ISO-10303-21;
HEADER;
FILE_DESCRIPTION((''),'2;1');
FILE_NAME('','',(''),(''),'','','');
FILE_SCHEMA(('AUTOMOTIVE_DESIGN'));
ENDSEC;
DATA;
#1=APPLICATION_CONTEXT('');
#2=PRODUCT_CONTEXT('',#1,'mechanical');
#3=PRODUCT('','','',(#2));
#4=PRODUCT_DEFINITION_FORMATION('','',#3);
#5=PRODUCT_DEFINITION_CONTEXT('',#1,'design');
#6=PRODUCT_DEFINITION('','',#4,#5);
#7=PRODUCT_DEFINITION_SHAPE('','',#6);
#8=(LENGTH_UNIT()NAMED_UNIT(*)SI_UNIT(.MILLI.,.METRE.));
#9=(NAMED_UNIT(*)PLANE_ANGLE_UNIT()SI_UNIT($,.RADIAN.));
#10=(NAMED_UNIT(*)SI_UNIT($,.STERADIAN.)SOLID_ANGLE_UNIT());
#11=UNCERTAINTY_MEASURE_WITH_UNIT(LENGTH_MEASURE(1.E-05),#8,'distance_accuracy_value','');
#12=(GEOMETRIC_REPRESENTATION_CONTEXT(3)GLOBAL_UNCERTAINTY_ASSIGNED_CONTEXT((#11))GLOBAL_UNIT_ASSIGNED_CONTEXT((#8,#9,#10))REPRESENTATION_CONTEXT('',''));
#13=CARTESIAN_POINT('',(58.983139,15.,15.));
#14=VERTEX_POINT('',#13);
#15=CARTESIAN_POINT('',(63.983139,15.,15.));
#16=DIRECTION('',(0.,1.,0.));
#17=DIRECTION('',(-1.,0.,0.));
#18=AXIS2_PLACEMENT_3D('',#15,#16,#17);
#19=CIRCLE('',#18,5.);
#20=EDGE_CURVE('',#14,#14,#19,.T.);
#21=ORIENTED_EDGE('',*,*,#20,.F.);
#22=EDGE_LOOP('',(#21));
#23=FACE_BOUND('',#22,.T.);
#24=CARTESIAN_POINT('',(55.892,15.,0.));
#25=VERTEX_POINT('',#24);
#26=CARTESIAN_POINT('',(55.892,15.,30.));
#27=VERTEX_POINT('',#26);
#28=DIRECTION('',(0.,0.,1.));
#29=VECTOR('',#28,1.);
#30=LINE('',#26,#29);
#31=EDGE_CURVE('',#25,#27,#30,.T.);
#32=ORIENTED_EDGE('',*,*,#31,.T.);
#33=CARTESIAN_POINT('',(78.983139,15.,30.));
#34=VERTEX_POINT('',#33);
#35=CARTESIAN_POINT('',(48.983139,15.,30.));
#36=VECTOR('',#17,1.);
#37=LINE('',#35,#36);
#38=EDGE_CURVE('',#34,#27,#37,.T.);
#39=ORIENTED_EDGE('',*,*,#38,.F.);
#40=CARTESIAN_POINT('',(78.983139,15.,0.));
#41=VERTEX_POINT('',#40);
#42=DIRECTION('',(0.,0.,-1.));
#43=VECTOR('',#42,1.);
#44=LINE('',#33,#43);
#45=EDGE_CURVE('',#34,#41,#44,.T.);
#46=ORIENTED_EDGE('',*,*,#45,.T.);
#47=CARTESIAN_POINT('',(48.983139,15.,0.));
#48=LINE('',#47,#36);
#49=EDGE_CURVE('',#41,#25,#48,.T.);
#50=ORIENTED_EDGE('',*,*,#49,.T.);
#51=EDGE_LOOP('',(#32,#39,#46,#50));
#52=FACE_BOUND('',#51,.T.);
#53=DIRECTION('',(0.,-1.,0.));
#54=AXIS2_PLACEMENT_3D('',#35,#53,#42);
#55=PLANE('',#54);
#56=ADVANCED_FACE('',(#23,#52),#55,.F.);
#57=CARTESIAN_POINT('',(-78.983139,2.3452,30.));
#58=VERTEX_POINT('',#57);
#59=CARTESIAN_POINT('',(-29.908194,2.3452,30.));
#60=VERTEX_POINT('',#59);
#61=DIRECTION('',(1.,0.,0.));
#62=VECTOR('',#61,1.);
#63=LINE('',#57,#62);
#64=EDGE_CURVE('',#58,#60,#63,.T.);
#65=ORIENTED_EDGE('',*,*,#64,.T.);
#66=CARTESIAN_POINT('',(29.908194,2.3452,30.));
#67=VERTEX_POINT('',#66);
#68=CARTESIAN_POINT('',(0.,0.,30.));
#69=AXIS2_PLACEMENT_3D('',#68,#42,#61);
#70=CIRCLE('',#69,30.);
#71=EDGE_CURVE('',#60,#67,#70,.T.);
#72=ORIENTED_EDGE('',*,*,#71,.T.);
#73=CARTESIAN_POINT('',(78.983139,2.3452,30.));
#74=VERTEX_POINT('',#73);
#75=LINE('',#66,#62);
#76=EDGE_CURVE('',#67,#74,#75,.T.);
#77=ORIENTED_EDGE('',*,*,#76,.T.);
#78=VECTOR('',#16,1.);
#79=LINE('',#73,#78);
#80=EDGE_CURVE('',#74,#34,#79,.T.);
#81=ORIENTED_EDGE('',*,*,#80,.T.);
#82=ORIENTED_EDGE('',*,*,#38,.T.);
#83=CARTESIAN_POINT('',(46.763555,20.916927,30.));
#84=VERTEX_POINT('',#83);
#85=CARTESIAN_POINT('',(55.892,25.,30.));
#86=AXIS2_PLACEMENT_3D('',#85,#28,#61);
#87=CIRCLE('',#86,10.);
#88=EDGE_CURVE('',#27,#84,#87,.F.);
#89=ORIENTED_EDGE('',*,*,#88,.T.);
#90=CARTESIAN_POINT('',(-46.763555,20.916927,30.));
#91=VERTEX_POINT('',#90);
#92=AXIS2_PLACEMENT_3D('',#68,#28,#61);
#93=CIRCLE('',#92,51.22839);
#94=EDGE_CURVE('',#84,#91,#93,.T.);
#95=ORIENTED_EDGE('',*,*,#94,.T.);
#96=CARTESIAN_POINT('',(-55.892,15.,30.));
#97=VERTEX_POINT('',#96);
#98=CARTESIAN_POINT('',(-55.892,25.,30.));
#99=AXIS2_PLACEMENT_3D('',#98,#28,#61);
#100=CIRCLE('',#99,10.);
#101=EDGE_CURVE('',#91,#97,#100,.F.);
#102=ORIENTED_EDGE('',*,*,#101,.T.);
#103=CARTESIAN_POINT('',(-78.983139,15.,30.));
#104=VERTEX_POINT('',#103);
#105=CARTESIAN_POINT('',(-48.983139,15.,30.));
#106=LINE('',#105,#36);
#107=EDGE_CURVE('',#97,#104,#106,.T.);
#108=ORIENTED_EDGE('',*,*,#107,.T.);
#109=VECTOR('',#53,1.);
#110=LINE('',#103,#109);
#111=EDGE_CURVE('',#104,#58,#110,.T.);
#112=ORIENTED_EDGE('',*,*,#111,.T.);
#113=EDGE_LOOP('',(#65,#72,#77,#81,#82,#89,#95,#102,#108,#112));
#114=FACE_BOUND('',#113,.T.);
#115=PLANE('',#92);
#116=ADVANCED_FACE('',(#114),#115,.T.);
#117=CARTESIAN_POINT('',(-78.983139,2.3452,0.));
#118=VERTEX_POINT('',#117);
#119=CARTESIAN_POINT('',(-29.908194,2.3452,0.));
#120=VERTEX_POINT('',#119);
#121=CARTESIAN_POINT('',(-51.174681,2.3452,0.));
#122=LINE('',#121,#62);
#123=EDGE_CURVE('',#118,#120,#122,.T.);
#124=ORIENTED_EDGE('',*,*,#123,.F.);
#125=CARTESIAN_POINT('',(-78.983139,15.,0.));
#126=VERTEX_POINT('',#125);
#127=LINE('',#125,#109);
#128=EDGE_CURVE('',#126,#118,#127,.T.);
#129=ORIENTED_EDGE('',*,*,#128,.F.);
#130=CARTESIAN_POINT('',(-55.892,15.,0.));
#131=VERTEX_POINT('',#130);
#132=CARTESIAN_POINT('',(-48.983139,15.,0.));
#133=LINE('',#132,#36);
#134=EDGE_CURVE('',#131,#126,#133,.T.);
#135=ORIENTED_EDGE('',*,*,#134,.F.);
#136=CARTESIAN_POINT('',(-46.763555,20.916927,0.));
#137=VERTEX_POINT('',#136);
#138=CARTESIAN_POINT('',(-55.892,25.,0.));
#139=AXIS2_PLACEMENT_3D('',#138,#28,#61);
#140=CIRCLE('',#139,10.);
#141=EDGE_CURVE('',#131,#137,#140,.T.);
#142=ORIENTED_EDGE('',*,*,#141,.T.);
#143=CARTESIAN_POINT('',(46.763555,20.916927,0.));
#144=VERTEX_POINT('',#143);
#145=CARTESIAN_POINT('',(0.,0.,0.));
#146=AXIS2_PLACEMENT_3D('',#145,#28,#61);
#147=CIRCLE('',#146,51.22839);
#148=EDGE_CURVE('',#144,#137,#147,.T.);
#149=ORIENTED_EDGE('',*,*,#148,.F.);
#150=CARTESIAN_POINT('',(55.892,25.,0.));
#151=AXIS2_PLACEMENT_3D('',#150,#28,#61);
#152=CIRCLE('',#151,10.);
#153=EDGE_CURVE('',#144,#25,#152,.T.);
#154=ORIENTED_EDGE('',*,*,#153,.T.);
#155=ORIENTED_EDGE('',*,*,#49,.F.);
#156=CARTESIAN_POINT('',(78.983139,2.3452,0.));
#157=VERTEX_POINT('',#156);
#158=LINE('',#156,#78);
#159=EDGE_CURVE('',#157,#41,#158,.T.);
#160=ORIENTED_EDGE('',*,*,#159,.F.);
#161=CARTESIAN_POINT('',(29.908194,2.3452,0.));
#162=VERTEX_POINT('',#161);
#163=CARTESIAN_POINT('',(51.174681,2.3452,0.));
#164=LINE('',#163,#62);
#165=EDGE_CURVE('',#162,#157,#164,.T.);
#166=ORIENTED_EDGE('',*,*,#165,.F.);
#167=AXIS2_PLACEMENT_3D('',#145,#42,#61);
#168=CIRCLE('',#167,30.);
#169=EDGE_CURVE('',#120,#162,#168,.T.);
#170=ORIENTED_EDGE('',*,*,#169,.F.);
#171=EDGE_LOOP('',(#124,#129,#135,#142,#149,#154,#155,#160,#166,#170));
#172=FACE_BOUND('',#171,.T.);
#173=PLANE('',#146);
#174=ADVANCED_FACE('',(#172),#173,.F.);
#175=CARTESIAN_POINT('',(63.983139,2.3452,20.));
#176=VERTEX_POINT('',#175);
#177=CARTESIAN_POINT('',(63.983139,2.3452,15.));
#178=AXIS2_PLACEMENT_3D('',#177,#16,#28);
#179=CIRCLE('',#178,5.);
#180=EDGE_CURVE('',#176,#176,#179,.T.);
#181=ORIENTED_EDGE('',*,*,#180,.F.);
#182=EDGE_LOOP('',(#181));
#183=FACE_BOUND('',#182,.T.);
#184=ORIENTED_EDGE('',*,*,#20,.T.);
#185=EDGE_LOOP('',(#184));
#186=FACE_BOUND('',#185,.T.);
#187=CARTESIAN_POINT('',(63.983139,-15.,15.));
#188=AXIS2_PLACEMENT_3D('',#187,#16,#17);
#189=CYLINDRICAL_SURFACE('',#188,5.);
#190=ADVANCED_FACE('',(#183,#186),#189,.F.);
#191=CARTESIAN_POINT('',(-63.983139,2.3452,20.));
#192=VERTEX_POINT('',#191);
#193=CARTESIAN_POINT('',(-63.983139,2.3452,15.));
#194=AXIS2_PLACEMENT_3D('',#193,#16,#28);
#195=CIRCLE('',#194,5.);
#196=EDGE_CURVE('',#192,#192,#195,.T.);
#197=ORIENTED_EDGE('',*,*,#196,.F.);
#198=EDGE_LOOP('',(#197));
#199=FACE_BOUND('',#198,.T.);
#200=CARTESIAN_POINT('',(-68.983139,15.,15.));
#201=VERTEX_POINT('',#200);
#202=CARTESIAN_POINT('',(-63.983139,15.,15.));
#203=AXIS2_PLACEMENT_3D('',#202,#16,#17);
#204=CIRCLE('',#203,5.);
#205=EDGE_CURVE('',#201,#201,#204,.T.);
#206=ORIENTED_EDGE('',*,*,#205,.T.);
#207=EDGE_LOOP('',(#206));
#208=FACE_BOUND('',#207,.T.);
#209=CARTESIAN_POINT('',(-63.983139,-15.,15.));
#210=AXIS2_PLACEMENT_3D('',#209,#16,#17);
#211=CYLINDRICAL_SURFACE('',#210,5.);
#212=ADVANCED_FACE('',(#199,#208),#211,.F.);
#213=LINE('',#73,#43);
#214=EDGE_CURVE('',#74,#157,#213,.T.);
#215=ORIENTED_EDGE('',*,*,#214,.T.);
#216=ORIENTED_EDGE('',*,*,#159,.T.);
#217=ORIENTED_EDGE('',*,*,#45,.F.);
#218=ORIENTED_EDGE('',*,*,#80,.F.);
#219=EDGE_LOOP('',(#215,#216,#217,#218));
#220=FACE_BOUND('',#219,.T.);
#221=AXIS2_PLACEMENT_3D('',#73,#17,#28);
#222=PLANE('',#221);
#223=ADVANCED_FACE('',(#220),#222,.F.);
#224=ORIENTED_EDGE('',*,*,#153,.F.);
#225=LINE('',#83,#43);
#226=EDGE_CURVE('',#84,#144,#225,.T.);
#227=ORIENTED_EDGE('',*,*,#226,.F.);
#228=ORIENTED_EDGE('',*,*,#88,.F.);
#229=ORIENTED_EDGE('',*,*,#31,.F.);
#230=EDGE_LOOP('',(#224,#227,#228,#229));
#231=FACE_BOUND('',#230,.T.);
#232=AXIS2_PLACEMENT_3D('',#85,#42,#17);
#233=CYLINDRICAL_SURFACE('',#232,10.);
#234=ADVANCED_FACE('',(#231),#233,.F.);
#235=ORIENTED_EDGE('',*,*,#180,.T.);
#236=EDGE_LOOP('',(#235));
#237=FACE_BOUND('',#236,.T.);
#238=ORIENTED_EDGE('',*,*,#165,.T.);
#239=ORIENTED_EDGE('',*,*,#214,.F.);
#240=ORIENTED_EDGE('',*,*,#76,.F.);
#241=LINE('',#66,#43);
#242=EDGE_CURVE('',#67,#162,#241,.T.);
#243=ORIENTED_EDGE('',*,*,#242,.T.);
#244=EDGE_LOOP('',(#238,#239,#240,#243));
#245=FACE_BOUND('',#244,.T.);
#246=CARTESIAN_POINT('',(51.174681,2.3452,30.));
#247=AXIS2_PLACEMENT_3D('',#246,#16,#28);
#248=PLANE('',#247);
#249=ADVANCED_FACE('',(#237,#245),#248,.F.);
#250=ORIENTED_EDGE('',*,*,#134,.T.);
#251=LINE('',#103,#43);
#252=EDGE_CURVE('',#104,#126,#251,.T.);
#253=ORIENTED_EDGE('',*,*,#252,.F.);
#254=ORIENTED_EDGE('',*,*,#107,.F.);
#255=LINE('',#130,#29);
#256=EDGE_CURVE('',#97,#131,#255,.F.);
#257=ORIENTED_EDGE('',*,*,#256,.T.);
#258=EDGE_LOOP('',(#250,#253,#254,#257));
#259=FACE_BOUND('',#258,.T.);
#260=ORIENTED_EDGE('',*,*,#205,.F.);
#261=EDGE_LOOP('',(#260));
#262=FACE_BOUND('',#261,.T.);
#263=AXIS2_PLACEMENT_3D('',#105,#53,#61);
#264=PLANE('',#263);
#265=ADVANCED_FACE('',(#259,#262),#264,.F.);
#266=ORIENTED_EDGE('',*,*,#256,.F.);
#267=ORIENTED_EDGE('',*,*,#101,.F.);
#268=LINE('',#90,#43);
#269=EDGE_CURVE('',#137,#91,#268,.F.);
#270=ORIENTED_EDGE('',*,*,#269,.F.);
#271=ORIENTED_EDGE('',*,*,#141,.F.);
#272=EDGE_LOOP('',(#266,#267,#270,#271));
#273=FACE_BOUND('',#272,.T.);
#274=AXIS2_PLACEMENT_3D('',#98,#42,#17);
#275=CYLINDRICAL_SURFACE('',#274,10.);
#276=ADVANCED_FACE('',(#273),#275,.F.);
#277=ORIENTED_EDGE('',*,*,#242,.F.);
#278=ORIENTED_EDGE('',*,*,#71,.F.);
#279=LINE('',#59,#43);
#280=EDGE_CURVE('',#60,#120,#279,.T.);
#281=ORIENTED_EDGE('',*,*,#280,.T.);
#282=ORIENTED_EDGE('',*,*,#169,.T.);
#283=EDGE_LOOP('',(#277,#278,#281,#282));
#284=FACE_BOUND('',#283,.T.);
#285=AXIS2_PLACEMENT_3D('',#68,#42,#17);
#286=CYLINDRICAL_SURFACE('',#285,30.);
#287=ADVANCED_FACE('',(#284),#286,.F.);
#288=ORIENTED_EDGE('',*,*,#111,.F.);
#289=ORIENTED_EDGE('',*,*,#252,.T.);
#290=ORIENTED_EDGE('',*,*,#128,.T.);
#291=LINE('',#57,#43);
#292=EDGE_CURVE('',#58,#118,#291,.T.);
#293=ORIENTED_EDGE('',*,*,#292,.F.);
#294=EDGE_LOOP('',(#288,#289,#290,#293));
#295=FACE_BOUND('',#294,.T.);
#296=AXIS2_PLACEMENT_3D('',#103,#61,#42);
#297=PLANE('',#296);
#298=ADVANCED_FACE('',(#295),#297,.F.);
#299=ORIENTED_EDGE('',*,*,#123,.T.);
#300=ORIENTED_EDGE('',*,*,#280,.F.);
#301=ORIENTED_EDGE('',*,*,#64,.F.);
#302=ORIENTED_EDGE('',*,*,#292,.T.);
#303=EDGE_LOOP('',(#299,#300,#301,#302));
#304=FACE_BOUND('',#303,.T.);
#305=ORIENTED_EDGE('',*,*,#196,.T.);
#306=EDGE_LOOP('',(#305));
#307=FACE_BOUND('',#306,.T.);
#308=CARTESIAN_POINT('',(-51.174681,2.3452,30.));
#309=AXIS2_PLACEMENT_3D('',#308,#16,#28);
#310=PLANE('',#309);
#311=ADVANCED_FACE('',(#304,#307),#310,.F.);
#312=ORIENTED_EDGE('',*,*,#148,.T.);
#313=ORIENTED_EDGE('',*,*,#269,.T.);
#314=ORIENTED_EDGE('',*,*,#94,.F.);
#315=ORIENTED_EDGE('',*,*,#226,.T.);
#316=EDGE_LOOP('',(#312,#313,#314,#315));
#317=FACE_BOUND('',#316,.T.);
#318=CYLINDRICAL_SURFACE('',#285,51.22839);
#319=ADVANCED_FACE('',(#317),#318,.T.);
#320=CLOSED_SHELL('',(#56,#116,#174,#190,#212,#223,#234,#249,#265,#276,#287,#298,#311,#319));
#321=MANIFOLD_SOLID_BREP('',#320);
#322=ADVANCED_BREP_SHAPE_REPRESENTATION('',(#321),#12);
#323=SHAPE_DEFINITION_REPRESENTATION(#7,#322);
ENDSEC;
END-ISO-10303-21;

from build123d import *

# Parameters (mm, degrees)
RESSALTO_EXTRUS_O1_DEPTH = 30
ESBO_O2_R                = 5
CORTE_EXTRUS_O1_DEPTH    = 30
FILETE1_R                = 10


with BuildPart() as part:
    # Esboço1 → Ressalto-extrusão1 (new body)
    with BuildSketch(Plane.XY):
        with BuildLine():
            Line((-51.174680709, 2.345199545), (-29.908193511, 2.345199545))
            ThreePointArc((-29.908193511, 2.345199545), (0, 30), (29.908193511, 2.345199545))
            Line((29.908193511, 2.345199545), (51.174680709, 2.345199545))
            Line((51.174680709, 2.345199545), (78.983139003, 2.345199545))
            Line((78.983139003, 2.345199545), (78.983139003, 15))
            Line((78.983139003, 15), (48.983139003, 15))
            ThreePointArc((48.983139003, 15), (0, 51.228389654), (-48.983139003, 15))
            Line((-48.983139003, 15), (-78.983139003, 15))
            Line((-78.983139003, 15), (-78.983139003, 2.345199545))
            Line((-78.983139003, 2.345199545), (-51.174680709, 2.345199545))
        make_face()
    extrude(amount=RESSALTO_EXTRUS_O1_DEPTH)

    # Esboço2 → Corte-extrusão1 (cut)
    with BuildSketch(Plane(origin=(0, 15, 0), x_dir=(1, 0, 0), z_dir=(0, 1, 0))):
        with Locations(Location((-63.983139003, -15, 0), (0, 0, 180))):
            Circle(ESBO_O2_R)
        with Locations(Location((63.983139003, -15, 0), (0, 0, 180))):
            Circle(ESBO_O2_R)
    extrude(amount=-CORTE_EXTRUS_O1_DEPTH, mode=Mode.SUBTRACT)

    # Filete1
    filete1_edges = [part.edges().sort_by_distance(p)[0] for p in [
        (48.983139003, 15, 15),
        (-48.983139003, 15, 15),
    ]]
    fillet(filete1_edges, radius=FILETE1_R)


solid = part.part
